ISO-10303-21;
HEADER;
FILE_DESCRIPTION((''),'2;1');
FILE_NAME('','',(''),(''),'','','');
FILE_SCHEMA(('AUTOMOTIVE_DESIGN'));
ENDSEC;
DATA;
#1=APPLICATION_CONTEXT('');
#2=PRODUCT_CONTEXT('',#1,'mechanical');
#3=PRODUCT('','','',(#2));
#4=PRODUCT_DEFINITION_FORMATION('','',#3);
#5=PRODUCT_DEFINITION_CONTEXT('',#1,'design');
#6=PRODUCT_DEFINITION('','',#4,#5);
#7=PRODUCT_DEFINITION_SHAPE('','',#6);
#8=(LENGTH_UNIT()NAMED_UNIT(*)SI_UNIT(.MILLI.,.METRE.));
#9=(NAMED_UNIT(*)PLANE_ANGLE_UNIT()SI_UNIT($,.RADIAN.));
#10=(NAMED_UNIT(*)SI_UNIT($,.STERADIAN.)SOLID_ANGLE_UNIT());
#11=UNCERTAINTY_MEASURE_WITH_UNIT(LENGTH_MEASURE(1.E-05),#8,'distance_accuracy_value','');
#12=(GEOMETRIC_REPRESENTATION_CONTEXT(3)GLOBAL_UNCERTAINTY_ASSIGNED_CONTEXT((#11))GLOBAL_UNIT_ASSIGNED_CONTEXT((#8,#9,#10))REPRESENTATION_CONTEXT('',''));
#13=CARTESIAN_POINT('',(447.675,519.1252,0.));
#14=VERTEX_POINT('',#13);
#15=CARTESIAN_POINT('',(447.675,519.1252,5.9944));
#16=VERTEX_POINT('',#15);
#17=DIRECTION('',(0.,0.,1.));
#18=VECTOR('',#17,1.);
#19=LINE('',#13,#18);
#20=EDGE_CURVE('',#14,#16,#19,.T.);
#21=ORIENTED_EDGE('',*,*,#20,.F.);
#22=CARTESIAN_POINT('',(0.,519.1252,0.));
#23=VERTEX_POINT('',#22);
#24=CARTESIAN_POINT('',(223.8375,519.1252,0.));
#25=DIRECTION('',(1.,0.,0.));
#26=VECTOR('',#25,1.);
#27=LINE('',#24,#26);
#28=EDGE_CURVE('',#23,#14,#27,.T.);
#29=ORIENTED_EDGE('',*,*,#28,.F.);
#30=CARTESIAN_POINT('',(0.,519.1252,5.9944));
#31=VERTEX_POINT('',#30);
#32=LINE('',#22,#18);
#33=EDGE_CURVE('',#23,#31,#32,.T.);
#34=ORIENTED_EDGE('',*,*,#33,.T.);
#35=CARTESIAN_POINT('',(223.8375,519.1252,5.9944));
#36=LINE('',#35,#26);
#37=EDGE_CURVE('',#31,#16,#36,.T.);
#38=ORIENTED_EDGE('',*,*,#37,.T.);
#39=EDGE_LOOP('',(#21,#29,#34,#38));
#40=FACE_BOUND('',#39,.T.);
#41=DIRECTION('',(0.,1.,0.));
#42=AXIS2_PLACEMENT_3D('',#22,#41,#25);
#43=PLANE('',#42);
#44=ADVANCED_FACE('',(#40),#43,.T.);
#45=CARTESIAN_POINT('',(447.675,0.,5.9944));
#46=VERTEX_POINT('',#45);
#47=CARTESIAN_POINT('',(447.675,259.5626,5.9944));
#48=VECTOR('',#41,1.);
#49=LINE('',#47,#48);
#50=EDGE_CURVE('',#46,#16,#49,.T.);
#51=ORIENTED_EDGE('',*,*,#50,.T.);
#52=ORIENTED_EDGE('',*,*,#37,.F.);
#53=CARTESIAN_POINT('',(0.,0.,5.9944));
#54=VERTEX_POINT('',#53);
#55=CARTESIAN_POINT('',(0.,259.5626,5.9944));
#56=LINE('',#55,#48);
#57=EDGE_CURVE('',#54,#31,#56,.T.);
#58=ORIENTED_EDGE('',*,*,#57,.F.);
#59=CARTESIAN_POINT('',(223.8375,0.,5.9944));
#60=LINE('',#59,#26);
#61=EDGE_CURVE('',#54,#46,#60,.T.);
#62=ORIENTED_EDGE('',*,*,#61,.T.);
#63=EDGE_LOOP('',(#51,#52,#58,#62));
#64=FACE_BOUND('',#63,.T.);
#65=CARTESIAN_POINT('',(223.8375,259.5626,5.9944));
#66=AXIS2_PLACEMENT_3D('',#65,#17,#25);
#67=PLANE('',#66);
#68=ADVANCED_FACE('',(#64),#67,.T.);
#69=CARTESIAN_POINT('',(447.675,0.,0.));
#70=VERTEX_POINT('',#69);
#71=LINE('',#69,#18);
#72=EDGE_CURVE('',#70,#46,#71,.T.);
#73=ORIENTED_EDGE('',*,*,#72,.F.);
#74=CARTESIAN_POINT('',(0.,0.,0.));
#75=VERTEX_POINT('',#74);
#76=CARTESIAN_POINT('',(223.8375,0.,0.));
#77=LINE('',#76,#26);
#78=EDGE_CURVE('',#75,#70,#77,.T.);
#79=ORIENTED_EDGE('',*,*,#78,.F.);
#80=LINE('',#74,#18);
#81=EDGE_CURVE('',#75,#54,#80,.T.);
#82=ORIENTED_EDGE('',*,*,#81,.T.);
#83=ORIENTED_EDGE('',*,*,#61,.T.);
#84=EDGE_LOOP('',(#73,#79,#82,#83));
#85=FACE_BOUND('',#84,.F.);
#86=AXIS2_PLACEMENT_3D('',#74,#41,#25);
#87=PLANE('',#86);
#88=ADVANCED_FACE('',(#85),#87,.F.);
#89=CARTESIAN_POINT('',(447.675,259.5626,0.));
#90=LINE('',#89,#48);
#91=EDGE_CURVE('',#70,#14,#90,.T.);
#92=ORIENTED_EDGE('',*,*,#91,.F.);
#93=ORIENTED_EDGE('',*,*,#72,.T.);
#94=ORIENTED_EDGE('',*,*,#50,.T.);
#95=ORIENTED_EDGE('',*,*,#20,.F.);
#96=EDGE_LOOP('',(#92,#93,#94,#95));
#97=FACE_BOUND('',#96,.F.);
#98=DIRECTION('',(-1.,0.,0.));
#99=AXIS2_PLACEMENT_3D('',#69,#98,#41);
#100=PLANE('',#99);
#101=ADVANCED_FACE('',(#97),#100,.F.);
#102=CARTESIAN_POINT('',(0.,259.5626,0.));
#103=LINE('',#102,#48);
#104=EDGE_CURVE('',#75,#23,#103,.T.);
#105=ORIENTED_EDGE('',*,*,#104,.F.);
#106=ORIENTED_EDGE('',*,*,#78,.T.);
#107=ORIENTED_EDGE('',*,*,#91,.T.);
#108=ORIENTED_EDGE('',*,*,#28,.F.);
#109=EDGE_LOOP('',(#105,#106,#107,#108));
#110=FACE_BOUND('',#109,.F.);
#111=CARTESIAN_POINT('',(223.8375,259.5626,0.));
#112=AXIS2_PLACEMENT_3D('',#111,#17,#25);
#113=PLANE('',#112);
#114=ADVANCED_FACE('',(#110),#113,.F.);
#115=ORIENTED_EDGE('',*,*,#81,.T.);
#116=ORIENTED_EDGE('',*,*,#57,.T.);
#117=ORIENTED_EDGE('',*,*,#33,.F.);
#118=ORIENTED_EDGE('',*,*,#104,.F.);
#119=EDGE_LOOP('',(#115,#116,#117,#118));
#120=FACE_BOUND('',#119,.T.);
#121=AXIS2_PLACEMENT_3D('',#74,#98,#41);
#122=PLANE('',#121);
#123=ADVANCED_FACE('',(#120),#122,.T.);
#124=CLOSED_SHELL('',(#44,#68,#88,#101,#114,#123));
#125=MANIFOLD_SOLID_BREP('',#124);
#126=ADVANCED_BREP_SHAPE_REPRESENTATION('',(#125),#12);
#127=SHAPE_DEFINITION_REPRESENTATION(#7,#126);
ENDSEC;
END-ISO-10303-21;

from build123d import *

# Parameters (mm, degrees)
SKETCH_W      = 447.675
SKETCH_H      = 519.1252
EXTRUDE_DEPTH = 5.9944


with BuildPart() as part:
    # Sketch → Extrude (new body)
    with BuildSketch(Plane.XY):
        with Locations((223.8375, 259.5626)):
            Rectangle(SKETCH_W, SKETCH_H)
    extrude(amount=EXTRUDE_DEPTH)


solid = part.part
